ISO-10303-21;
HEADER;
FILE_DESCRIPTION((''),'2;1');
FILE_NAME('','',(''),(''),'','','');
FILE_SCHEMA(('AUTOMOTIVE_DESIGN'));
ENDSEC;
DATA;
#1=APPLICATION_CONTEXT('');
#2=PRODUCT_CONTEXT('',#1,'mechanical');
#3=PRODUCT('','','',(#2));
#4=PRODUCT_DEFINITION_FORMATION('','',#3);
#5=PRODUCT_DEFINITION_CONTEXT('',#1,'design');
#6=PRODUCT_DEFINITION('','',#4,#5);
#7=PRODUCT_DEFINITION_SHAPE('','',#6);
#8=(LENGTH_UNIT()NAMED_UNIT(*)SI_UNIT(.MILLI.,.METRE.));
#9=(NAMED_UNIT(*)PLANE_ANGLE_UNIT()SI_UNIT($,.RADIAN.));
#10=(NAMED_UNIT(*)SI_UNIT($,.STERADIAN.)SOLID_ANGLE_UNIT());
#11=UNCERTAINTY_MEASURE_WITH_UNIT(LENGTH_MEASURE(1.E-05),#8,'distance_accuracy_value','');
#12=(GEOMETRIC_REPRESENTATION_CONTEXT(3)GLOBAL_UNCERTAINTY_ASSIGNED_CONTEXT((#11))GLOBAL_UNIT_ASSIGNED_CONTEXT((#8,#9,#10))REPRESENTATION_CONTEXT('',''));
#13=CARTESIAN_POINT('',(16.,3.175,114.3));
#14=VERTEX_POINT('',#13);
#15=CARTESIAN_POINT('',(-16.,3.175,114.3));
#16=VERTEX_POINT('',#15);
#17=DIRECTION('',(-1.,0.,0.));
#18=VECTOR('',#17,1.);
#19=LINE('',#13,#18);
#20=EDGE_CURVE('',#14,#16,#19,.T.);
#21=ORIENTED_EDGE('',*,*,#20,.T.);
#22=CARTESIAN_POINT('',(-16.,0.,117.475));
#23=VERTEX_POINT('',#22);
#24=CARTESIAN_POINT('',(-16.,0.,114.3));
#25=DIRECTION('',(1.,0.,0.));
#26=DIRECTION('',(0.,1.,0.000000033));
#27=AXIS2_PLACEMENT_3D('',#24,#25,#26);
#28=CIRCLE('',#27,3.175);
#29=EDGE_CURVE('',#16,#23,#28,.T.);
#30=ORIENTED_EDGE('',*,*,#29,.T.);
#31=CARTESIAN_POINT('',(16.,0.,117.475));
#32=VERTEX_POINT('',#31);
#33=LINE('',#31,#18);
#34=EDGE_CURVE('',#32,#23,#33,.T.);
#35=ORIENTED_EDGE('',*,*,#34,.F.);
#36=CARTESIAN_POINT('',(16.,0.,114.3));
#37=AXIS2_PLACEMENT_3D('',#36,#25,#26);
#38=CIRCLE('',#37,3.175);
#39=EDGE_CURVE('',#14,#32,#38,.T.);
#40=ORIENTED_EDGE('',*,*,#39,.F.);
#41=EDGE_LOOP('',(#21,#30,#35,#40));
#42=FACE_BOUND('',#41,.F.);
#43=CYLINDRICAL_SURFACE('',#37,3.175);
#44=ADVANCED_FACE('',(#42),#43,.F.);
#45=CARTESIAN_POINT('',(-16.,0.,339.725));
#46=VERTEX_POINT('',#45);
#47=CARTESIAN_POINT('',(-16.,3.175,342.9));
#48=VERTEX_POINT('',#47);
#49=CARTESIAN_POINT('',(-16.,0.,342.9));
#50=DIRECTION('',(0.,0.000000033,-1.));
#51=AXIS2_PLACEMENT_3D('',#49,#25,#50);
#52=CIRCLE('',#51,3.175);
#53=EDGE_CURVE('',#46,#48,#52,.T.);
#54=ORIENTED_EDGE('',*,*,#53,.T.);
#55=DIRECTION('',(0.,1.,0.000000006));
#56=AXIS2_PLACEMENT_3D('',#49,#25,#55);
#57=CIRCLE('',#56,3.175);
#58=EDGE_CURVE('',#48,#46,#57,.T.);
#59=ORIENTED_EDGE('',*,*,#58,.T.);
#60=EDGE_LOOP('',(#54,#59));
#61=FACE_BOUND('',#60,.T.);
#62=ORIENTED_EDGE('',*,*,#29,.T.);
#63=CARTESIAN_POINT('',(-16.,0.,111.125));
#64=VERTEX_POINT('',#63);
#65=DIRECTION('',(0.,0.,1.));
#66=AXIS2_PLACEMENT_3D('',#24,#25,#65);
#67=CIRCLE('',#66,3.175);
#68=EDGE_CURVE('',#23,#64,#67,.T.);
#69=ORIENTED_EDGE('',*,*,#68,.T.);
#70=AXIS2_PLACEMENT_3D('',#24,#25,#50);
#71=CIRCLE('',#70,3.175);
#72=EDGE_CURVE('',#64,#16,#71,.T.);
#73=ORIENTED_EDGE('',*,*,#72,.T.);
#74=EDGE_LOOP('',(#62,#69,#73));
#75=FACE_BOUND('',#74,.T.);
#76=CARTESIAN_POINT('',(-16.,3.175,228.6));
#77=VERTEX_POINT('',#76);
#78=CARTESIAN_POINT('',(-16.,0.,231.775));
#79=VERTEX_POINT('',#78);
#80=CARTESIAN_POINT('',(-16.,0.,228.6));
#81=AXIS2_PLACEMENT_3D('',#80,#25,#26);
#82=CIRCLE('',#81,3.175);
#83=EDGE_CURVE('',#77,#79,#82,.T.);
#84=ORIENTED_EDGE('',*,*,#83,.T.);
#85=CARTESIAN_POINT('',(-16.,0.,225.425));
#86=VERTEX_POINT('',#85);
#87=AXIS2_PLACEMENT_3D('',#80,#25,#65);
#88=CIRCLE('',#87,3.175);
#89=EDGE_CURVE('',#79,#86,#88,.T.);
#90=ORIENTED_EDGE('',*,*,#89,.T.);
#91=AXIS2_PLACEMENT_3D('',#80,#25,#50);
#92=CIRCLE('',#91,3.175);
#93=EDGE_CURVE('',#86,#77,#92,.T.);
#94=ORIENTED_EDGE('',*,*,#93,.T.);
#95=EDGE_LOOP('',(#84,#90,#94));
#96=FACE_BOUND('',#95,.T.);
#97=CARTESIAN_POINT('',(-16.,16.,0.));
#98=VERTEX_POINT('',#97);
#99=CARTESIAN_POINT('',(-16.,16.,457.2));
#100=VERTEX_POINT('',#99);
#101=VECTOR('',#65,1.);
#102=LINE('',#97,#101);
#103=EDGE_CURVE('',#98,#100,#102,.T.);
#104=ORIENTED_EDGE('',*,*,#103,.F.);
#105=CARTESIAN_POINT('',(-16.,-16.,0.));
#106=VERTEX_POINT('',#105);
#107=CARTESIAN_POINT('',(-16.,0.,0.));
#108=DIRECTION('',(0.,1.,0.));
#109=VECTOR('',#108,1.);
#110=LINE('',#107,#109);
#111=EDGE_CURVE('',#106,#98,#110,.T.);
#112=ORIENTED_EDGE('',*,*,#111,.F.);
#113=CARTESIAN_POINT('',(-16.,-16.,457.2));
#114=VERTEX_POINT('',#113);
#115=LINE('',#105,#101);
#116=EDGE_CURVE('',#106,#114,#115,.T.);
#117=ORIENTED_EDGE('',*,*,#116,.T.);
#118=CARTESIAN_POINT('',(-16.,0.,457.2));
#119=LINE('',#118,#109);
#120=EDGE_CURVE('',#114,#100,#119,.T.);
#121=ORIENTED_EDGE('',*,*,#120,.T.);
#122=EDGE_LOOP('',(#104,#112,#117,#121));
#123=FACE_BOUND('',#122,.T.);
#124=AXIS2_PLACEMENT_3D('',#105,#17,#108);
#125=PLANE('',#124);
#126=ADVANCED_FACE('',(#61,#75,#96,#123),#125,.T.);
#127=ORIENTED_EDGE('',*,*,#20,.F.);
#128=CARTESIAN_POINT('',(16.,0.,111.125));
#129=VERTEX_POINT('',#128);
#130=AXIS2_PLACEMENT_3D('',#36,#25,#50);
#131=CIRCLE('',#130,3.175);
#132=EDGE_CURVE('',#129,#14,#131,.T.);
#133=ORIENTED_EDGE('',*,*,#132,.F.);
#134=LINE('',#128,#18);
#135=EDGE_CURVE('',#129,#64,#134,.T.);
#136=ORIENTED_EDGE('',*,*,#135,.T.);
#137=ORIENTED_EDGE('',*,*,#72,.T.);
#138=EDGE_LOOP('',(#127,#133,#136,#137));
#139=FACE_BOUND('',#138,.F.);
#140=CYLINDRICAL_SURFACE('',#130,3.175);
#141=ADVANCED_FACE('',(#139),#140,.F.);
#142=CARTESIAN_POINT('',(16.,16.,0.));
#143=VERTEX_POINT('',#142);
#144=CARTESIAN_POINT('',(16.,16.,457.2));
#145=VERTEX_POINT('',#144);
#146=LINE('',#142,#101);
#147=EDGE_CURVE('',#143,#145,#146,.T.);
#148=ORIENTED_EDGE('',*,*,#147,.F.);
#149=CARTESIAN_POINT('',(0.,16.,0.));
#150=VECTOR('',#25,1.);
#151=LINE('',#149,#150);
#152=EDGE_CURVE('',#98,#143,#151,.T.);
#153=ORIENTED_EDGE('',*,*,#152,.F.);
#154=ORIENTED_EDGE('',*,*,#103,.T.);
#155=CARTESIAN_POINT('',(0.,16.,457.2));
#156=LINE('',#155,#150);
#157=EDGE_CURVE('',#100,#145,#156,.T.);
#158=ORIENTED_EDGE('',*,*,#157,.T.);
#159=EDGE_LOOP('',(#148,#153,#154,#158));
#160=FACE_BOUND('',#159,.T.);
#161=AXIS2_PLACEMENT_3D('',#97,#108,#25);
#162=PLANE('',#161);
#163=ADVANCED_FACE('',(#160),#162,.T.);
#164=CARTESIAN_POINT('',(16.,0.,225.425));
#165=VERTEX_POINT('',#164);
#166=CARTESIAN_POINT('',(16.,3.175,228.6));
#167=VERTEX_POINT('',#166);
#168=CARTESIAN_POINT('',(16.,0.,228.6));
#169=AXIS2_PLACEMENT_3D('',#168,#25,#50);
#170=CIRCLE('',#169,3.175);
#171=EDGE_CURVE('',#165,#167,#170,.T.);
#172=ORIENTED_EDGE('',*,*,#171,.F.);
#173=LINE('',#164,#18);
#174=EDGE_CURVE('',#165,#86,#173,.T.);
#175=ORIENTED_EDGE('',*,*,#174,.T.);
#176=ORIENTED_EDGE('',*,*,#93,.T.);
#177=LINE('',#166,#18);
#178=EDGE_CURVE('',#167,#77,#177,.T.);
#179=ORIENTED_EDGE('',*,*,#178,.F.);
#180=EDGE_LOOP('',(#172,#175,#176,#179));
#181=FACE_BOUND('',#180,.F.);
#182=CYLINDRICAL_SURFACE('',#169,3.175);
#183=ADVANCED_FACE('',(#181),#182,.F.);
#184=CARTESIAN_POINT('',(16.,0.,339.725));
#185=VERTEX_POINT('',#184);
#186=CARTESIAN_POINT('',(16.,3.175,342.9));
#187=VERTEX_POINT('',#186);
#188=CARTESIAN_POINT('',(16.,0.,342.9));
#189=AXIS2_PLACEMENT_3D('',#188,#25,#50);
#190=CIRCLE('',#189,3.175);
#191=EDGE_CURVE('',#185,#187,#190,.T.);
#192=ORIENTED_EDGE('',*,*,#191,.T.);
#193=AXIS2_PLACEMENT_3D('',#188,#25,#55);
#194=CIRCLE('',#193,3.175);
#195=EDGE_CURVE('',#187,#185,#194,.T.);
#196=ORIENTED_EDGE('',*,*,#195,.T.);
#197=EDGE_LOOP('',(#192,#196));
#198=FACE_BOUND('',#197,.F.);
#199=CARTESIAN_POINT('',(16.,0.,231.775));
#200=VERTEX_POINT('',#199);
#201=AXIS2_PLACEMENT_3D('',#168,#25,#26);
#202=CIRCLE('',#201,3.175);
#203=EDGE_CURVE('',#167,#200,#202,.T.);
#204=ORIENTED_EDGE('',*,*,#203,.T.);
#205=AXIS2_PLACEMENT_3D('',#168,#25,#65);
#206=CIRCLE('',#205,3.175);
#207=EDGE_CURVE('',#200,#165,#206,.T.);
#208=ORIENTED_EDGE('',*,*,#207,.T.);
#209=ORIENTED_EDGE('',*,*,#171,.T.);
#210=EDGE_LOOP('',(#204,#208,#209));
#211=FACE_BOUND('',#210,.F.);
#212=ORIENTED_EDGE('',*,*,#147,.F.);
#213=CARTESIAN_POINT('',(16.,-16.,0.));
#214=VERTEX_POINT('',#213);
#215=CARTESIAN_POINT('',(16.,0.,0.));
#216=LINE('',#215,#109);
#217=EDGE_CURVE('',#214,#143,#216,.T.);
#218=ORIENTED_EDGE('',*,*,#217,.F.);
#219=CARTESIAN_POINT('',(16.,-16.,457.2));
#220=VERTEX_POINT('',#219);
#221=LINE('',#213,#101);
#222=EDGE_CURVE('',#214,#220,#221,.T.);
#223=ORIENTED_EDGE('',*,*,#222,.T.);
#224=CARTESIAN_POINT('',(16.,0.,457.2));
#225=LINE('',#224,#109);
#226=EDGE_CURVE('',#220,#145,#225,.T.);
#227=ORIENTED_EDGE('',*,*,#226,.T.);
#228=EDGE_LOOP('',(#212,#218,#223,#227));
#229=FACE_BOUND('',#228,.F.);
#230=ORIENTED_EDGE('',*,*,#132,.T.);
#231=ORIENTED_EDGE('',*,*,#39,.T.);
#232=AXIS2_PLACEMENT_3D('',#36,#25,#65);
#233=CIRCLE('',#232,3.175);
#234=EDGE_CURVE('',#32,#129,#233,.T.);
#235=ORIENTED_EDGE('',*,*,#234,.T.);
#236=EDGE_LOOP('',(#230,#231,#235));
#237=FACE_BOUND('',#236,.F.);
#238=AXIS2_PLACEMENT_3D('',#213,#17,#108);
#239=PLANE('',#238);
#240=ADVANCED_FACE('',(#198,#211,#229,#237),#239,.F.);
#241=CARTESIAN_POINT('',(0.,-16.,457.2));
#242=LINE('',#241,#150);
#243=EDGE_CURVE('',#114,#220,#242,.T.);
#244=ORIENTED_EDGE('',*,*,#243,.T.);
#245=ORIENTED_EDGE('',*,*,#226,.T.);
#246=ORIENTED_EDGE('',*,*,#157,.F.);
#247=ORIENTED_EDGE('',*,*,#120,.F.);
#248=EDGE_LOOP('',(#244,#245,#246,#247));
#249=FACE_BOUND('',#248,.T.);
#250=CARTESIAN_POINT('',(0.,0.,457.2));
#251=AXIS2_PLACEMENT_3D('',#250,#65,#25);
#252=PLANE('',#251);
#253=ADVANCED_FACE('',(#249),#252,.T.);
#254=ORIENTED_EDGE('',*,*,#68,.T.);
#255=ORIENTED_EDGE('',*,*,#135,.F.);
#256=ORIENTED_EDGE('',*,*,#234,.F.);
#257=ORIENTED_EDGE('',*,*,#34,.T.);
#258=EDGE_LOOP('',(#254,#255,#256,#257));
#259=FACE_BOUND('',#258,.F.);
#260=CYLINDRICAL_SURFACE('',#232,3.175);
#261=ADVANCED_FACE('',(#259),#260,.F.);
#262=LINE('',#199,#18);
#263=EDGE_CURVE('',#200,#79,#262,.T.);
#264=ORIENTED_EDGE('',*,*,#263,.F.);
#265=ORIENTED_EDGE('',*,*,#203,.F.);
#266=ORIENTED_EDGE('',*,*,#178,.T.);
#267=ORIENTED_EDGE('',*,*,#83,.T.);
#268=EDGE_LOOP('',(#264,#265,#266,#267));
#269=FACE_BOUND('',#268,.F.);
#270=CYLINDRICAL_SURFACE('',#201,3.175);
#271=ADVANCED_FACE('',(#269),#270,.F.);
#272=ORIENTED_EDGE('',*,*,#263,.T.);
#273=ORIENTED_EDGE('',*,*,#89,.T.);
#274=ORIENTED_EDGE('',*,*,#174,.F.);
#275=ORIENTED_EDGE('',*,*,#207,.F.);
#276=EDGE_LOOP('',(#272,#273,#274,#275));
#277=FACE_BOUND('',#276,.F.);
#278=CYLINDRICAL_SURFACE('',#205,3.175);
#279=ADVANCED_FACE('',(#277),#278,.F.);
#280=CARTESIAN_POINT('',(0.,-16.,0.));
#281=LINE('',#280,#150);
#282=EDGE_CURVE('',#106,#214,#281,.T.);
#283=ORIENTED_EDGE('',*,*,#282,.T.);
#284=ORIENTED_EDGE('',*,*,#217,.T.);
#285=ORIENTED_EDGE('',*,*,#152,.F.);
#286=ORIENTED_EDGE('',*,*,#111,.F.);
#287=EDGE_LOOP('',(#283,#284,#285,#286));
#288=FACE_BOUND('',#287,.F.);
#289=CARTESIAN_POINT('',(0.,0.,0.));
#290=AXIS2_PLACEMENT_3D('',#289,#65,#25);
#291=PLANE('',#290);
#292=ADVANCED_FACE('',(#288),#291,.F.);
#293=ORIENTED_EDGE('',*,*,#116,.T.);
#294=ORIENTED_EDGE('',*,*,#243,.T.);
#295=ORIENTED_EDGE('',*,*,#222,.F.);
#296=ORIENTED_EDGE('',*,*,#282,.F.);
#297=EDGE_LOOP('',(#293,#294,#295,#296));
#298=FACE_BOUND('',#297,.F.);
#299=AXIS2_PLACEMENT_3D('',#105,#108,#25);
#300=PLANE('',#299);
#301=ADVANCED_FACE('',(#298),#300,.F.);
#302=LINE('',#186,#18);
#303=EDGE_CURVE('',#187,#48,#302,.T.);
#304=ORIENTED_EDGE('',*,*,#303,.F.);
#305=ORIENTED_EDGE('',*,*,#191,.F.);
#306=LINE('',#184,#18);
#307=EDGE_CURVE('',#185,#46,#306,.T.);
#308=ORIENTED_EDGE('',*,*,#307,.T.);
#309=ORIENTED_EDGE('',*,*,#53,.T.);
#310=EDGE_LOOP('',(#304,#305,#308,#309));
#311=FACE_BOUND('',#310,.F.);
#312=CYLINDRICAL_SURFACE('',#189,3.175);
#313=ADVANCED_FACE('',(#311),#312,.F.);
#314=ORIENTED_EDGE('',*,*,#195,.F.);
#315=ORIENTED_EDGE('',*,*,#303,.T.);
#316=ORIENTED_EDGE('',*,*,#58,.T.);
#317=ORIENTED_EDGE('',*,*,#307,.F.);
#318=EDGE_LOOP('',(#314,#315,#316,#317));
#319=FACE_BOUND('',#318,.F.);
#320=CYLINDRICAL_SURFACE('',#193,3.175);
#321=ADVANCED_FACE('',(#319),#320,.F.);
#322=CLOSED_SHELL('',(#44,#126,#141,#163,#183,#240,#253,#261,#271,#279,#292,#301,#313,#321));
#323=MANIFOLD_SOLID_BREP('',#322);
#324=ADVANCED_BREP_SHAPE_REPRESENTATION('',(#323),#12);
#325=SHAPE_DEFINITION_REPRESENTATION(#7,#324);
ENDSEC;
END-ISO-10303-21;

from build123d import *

# Parameters (mm, degrees)
F0_W     = 32
F0_H     = 32
F1_DEPTH = 457.2
F3_DEPTH = 32.001


with BuildPart() as f1:
    # F0 (on Top) → F1 (new body)
    with BuildSketch(Plane.XY):
        Rectangle(F0_W, F0_H)
    extrude(amount=F1_DEPTH)

    # F2 (on face) → F3 (cut, through all)
    with BuildSketch(Plane.YZ.offset(16)):
        with BuildLine():
            ThreePointArc((0, 117.475), (-3.175, 114.3), (0, 111.125))
            Line((0, 111.125), (0, 114.3))
            Line((0, 114.3), (0, 117.475))
        make_face()
        with BuildLine():
            ThreePointArc((3.175, 342.9), (-2.245064, 345.145064), (0, 339.725))
            ThreePointArc((0, 339.725), (2.245064, 340.654936), (3.175, 342.9))
        make_face()
        with BuildLine():
            ThreePointArc((0, 231.775), (-3.175, 228.6), (0, 225.425))
            Line((0, 225.425), (0, 228.6))
            Line((0, 228.6), (0, 231.775))
        make_face()
        with BuildLine():
            Line((0, 228.6), (0, 225.425))
            ThreePointArc((0, 225.425), (2.245064, 226.354936), (3.175, 228.6))
            ThreePointArc((3.175, 228.6), (2.245064, 230.845064), (0, 231.775))
            Line((0, 231.775), (0, 228.6))
        make_face()
        with BuildLine():
            Line((0, 114.3), (0, 111.125))
            ThreePointArc((0, 111.125), (2.245064, 112.054936), (3.175, 114.3))
            ThreePointArc((3.175, 114.3), (2.245064, 116.545064), (0, 117.475))
            Line((0, 117.475), (0, 114.3))
        make_face()
    extrude(amount=-F3_DEPTH, mode=Mode.SUBTRACT)


solid = f1.part
